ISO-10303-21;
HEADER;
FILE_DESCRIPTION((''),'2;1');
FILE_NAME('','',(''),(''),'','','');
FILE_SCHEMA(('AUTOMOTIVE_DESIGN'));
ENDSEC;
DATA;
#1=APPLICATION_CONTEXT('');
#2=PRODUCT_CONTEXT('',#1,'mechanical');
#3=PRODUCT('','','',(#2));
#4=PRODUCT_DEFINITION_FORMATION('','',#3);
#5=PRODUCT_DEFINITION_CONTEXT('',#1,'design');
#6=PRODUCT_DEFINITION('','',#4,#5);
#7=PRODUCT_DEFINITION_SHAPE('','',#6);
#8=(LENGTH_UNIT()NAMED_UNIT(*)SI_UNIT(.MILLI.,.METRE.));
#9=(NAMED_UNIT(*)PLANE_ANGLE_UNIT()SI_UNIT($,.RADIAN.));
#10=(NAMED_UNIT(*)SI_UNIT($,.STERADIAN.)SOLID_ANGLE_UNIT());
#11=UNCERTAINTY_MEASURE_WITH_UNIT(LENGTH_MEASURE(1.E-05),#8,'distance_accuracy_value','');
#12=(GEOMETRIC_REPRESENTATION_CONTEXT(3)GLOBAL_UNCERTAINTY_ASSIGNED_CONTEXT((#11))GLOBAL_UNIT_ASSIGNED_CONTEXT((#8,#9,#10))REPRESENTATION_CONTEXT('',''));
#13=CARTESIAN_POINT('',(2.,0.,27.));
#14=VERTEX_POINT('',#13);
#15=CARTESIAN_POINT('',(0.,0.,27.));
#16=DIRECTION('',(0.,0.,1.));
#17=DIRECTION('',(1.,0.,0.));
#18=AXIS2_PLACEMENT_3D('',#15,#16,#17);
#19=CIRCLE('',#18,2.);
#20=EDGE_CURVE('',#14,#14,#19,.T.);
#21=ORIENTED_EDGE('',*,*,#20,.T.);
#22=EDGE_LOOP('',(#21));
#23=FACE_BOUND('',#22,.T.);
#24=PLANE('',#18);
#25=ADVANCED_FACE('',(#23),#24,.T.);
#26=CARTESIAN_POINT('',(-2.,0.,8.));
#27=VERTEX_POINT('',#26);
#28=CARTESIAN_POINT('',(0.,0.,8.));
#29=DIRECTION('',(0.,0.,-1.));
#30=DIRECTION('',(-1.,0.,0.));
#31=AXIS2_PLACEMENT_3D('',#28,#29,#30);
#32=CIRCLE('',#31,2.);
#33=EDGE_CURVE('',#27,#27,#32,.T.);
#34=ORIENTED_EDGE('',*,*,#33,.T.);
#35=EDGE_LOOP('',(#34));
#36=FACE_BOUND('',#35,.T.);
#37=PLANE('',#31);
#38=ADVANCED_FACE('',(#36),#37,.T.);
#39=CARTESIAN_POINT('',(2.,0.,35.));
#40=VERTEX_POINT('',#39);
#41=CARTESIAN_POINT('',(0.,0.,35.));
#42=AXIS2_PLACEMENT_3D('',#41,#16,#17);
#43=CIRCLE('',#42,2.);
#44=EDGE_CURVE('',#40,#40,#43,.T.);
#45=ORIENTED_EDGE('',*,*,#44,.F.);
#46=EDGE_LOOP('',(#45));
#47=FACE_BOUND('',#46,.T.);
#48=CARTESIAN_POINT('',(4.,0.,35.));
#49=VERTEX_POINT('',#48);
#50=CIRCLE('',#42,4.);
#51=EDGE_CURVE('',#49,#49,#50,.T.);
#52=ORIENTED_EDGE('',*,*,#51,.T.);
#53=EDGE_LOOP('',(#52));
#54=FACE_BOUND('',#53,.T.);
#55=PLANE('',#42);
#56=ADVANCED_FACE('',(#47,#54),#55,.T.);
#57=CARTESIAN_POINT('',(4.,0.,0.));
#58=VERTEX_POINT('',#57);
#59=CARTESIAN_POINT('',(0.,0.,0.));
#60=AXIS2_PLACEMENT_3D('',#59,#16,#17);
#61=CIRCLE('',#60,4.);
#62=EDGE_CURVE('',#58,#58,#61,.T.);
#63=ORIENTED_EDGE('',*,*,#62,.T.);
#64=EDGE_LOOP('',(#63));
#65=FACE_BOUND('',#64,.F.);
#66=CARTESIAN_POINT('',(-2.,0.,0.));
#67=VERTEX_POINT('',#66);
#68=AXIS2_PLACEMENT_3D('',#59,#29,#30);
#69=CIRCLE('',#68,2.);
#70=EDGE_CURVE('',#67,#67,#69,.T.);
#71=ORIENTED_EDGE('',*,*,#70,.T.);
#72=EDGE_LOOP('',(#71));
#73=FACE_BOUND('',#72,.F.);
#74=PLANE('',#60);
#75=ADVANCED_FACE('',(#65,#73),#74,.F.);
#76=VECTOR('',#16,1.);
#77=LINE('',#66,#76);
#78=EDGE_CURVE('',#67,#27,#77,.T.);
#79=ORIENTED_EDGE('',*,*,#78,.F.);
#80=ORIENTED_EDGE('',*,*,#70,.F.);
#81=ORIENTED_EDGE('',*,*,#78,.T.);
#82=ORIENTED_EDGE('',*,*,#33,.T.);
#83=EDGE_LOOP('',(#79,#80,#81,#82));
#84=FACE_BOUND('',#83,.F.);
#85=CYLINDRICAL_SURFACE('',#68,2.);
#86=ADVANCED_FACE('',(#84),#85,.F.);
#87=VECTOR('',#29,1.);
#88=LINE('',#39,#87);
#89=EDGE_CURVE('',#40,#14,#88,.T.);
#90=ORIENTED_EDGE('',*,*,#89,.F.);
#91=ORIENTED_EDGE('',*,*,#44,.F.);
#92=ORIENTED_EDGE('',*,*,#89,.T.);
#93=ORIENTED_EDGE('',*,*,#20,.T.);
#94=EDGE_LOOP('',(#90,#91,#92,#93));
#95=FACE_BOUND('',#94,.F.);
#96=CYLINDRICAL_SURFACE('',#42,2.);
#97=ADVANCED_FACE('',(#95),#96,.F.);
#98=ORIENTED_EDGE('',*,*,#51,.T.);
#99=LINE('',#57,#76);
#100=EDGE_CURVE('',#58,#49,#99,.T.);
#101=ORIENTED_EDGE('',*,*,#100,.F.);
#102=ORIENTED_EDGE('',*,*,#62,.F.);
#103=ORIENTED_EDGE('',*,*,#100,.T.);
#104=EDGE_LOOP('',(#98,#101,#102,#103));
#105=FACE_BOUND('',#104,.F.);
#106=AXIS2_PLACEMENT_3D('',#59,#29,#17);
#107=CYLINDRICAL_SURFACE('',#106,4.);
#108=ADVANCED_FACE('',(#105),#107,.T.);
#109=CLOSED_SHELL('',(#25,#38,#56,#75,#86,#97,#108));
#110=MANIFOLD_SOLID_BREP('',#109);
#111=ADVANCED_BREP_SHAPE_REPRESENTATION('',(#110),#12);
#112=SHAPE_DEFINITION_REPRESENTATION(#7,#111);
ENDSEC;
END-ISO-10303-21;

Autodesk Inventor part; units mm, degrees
ref_plane "YZ Plane" through (0, 0, 0) normal (1, 0, 0) x (0, 1, 0)
ref_plane "XZ Plane" through (0, 0, 0) normal (0, 1, 0) x (-1, 0, 0)
ref_plane "XY Plane" through (0, 0, 0) normal (0, 0, 1) x (1, 0, 0)
sketch "スケッチ1" plane through (0, 0, 0) normal (0, 0, 1) x (1, 0, 0)
  circle A0 centre (0, 0) radius 4
  dimension "d1" = 8
extrude "押し出し2" add sketch "スケッチ1" along normal blind 35
sketch "スケッチ2" plane through (0, 0, 0) normal (0, 0, -1) x (-1, 0, 0)
  circle A0 centre (0, 0) radius 2
  dimension "d6" = 4
extrude "押し出し3" cut sketch "スケッチ2" against normal blind 8
sketch "スケッチ3" plane through (0, 0, 35) normal (0, 0, 1) x (1, 0, 0)
  circle A0 centre (0, 0) radius 2
  dimension "d9" = 4
extrude "押し出し4" cut sketch "スケッチ3" against normal blind 8
properties part number "M4アルミスペーサー20" material "アルミニウム 7075"
